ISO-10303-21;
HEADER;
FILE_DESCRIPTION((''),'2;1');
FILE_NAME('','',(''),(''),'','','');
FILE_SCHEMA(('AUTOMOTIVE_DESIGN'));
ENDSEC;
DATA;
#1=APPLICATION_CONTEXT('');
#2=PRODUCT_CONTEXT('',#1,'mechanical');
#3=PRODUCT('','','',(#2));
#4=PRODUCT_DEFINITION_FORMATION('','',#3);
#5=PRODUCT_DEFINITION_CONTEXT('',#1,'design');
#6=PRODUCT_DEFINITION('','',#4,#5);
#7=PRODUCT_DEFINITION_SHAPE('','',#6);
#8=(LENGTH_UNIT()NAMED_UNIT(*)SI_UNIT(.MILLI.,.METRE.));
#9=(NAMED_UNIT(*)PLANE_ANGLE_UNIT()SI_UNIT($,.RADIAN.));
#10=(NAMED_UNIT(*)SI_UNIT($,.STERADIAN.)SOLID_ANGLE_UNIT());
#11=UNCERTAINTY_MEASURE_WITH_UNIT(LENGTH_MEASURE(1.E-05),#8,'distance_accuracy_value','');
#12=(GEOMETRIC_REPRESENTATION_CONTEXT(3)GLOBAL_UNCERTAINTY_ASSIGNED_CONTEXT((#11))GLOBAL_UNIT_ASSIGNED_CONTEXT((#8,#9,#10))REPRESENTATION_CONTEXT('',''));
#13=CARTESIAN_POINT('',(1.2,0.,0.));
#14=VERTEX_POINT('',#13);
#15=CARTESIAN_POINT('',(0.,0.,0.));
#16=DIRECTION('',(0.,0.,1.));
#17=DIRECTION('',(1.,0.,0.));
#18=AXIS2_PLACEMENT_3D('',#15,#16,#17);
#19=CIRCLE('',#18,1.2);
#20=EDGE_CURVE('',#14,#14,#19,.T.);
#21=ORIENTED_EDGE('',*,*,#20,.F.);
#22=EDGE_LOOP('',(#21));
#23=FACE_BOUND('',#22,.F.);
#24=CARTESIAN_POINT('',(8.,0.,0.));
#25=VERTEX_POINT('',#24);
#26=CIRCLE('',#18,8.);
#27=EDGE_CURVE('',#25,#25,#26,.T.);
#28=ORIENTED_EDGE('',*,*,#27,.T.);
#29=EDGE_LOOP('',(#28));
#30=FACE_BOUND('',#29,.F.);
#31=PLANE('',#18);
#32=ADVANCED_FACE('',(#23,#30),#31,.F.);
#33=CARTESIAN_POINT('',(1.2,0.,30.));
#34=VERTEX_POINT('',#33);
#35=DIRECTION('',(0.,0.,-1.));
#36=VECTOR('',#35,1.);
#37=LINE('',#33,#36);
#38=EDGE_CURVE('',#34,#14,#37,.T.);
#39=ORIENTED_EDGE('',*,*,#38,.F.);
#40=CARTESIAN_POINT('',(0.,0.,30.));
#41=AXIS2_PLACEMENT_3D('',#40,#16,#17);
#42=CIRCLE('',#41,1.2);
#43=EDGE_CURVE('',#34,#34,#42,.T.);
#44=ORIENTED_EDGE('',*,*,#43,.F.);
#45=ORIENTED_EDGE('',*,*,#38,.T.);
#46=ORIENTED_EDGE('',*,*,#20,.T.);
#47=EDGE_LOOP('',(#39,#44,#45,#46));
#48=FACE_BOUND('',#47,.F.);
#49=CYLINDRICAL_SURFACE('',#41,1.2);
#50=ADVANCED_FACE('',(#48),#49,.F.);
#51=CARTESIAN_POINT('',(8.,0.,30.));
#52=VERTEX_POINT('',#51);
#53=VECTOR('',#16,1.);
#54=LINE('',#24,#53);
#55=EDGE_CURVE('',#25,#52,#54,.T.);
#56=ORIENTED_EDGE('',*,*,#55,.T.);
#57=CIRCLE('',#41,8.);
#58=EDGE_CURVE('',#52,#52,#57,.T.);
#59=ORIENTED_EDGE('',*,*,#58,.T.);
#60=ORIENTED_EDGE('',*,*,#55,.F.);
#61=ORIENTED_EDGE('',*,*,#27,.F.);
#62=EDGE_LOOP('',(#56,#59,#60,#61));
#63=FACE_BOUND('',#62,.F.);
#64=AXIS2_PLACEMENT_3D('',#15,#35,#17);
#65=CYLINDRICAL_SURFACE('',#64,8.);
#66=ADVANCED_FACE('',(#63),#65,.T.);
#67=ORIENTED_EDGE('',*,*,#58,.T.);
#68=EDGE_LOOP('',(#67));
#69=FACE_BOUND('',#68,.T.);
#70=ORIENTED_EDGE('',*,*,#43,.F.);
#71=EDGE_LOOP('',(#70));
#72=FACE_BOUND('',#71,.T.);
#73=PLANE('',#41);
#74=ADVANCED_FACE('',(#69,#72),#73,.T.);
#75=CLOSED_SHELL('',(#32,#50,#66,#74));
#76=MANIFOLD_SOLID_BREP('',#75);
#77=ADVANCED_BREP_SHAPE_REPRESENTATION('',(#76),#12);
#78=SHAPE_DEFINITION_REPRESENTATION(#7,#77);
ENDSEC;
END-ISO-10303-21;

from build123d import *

# Parameters (mm, degrees)
SKETCH_R     = 8
PAD_DEPTH    = 30
SKETCH001_R  = 1.2
POCKET_DEPTH = 35


with BuildPart() as part:
    # Sketch → Pad (new body)
    with BuildSketch(Plane.XY):
        Circle(SKETCH_R)
    extrude(amount=PAD_DEPTH)

    # Sketch001 (on Face3 of Pad) → Pocket (cut)
    with BuildSketch(Plane.XY.offset(30)):
        Circle(SKETCH001_R)
    extrude(amount=-POCKET_DEPTH, mode=Mode.SUBTRACT)


solid = part.part
